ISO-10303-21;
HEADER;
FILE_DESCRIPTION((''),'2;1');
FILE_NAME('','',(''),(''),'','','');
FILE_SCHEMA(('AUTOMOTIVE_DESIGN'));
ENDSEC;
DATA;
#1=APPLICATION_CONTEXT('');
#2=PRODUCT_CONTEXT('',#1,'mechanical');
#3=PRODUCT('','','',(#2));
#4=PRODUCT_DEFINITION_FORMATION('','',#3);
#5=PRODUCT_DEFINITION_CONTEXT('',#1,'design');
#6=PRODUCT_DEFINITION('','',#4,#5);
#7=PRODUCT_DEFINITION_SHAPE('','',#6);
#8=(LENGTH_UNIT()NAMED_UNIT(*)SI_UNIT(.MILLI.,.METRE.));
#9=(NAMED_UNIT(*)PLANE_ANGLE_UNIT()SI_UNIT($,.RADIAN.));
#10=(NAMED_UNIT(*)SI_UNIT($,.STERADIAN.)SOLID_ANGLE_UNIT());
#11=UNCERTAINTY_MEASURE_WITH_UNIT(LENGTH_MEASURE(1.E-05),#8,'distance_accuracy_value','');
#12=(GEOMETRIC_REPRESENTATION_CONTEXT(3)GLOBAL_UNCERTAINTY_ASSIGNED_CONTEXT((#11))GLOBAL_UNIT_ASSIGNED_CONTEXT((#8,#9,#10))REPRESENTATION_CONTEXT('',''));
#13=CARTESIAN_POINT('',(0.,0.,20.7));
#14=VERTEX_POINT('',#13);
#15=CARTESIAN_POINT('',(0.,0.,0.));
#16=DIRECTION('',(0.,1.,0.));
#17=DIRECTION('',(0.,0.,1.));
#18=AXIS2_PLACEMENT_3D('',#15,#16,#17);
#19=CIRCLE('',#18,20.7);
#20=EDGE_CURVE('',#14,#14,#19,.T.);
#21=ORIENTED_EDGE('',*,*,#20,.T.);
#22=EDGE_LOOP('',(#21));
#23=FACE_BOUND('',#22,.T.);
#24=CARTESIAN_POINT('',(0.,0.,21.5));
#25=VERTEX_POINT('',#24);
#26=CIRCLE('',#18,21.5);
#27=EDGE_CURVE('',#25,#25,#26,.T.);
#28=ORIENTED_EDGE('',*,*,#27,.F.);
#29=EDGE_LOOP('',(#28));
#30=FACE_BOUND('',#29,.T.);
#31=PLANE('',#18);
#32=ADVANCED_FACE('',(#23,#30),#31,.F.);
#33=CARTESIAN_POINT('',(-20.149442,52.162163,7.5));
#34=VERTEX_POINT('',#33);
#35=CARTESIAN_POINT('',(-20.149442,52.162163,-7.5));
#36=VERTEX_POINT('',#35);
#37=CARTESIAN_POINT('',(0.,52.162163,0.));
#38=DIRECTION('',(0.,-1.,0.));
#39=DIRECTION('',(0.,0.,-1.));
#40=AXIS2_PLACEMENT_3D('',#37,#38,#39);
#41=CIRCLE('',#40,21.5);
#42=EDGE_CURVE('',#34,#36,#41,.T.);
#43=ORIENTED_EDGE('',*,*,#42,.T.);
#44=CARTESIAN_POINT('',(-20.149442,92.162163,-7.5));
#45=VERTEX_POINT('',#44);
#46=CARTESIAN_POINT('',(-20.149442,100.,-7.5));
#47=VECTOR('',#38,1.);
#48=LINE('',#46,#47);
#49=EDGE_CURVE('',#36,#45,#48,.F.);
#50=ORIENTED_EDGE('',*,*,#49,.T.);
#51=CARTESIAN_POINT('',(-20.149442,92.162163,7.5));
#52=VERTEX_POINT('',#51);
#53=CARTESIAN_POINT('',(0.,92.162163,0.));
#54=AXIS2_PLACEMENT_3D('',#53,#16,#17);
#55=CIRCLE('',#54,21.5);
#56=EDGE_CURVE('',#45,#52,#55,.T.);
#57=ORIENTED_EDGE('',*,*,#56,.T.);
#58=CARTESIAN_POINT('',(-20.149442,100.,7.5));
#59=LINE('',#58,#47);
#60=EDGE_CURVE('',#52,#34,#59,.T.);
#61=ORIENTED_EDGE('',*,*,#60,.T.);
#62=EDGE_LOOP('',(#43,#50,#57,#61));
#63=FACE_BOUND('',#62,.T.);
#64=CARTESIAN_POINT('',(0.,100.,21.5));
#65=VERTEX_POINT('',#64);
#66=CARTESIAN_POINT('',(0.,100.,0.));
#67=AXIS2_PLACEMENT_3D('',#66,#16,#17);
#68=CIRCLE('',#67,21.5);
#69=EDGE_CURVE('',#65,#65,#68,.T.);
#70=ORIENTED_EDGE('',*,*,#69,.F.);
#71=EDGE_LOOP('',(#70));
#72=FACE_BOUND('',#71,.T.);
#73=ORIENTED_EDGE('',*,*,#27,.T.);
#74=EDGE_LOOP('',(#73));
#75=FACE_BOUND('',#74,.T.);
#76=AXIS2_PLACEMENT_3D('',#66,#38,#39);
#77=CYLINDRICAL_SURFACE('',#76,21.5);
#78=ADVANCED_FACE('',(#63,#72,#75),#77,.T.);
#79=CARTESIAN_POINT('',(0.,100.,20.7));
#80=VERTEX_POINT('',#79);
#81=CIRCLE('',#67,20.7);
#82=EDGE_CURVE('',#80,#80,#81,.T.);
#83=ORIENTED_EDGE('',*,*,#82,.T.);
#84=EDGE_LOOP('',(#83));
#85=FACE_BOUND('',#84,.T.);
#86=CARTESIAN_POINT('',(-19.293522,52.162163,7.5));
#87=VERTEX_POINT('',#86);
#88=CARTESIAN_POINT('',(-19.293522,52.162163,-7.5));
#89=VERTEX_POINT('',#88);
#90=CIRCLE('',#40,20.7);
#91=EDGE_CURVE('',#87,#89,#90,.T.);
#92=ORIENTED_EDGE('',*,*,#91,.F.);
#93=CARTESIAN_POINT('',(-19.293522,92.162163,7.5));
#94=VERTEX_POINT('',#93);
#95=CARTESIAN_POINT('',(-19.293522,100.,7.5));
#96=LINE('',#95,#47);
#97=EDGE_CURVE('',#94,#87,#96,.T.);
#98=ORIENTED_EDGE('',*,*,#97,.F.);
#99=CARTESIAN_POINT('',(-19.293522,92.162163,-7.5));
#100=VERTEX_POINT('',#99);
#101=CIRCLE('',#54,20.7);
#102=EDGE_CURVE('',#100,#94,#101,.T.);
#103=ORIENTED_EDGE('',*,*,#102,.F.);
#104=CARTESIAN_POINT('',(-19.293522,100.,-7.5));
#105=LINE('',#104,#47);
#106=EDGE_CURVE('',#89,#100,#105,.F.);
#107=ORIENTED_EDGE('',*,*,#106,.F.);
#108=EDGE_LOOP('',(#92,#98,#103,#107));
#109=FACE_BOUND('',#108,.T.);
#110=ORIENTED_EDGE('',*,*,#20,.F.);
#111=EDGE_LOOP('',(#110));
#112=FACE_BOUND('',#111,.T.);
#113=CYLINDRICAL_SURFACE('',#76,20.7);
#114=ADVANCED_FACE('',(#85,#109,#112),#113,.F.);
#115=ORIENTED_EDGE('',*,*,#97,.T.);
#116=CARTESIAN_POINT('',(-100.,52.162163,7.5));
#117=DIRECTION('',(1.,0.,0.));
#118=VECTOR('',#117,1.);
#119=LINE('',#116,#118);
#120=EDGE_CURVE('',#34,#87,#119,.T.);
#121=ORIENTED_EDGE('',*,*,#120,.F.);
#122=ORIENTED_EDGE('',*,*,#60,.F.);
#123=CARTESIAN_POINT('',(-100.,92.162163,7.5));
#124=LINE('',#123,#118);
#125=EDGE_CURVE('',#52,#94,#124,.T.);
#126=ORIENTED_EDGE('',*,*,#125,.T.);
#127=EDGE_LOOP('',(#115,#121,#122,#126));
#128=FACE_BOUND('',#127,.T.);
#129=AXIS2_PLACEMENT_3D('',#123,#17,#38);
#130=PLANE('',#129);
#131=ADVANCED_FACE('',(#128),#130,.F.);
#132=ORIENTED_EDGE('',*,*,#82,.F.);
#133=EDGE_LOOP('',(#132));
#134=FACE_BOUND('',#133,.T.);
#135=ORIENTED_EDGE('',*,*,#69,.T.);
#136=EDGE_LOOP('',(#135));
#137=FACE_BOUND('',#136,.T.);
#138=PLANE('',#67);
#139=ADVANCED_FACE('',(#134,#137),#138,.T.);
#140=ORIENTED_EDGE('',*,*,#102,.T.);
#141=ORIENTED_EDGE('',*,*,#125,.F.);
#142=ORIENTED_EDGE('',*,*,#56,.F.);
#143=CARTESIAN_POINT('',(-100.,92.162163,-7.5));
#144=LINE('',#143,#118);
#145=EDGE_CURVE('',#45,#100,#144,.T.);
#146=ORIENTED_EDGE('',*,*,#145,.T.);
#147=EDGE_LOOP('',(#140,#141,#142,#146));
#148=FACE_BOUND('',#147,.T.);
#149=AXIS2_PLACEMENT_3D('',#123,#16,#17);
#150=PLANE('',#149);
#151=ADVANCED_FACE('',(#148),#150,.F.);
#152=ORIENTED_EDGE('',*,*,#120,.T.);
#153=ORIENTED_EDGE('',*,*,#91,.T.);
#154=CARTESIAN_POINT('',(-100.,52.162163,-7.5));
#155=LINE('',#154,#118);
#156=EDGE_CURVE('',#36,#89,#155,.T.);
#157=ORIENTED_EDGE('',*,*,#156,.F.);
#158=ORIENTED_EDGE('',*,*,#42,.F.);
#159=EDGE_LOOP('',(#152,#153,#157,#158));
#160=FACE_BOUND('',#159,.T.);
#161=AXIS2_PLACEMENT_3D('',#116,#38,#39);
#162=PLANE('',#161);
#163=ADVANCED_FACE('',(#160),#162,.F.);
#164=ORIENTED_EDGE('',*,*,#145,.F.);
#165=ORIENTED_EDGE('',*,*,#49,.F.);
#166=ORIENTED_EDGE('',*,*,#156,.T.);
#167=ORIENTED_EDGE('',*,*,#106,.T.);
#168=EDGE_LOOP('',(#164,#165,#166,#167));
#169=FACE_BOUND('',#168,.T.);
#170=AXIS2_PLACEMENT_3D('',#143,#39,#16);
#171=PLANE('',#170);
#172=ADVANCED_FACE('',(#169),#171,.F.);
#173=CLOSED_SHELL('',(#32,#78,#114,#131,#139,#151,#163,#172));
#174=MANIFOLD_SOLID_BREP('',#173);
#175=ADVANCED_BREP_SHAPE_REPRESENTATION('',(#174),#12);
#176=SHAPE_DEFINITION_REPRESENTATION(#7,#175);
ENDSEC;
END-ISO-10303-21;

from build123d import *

# Parameters (mm, degrees)
SKETCH1_R           = 21.5
SKETCH1_R_2         = 20.7
BOSS_EXTRUDE1_DEPTH = 100
SKETCH2_W           = 15
SKETCH2_H           = 40
CUT_EXTRUDE1_DEPTH  = 100


with BuildPart() as part:
    # Sketch1 → Boss-Extrude1 (new body)
    with BuildSketch(Plane(origin=(0, 0, 0), x_dir=(1, 0, 0), z_dir=(0, 1, 0))):
        with Locations(Location((0, 0, 0), (0, 0, 270))):
            Circle(SKETCH1_R)
        with Locations(Location((0, 0, 0), (0, 0, 270))):
            Circle(SKETCH1_R_2, mode=Mode.SUBTRACT)
    extrude(amount=BOSS_EXTRUDE1_DEPTH)

    # Sketch2 → Cut-Extrude1 (cut)
    with BuildSketch(Plane(origin=(0, 0, 0), x_dir=(0, 0, -1), z_dir=(1, 0, 0))):
        with Locations((0, 72.162163313)):
            Rectangle(SKETCH2_W, SKETCH2_H)
    extrude(amount=-CUT_EXTRUDE1_DEPTH, mode=Mode.SUBTRACT)


solid = part.part
